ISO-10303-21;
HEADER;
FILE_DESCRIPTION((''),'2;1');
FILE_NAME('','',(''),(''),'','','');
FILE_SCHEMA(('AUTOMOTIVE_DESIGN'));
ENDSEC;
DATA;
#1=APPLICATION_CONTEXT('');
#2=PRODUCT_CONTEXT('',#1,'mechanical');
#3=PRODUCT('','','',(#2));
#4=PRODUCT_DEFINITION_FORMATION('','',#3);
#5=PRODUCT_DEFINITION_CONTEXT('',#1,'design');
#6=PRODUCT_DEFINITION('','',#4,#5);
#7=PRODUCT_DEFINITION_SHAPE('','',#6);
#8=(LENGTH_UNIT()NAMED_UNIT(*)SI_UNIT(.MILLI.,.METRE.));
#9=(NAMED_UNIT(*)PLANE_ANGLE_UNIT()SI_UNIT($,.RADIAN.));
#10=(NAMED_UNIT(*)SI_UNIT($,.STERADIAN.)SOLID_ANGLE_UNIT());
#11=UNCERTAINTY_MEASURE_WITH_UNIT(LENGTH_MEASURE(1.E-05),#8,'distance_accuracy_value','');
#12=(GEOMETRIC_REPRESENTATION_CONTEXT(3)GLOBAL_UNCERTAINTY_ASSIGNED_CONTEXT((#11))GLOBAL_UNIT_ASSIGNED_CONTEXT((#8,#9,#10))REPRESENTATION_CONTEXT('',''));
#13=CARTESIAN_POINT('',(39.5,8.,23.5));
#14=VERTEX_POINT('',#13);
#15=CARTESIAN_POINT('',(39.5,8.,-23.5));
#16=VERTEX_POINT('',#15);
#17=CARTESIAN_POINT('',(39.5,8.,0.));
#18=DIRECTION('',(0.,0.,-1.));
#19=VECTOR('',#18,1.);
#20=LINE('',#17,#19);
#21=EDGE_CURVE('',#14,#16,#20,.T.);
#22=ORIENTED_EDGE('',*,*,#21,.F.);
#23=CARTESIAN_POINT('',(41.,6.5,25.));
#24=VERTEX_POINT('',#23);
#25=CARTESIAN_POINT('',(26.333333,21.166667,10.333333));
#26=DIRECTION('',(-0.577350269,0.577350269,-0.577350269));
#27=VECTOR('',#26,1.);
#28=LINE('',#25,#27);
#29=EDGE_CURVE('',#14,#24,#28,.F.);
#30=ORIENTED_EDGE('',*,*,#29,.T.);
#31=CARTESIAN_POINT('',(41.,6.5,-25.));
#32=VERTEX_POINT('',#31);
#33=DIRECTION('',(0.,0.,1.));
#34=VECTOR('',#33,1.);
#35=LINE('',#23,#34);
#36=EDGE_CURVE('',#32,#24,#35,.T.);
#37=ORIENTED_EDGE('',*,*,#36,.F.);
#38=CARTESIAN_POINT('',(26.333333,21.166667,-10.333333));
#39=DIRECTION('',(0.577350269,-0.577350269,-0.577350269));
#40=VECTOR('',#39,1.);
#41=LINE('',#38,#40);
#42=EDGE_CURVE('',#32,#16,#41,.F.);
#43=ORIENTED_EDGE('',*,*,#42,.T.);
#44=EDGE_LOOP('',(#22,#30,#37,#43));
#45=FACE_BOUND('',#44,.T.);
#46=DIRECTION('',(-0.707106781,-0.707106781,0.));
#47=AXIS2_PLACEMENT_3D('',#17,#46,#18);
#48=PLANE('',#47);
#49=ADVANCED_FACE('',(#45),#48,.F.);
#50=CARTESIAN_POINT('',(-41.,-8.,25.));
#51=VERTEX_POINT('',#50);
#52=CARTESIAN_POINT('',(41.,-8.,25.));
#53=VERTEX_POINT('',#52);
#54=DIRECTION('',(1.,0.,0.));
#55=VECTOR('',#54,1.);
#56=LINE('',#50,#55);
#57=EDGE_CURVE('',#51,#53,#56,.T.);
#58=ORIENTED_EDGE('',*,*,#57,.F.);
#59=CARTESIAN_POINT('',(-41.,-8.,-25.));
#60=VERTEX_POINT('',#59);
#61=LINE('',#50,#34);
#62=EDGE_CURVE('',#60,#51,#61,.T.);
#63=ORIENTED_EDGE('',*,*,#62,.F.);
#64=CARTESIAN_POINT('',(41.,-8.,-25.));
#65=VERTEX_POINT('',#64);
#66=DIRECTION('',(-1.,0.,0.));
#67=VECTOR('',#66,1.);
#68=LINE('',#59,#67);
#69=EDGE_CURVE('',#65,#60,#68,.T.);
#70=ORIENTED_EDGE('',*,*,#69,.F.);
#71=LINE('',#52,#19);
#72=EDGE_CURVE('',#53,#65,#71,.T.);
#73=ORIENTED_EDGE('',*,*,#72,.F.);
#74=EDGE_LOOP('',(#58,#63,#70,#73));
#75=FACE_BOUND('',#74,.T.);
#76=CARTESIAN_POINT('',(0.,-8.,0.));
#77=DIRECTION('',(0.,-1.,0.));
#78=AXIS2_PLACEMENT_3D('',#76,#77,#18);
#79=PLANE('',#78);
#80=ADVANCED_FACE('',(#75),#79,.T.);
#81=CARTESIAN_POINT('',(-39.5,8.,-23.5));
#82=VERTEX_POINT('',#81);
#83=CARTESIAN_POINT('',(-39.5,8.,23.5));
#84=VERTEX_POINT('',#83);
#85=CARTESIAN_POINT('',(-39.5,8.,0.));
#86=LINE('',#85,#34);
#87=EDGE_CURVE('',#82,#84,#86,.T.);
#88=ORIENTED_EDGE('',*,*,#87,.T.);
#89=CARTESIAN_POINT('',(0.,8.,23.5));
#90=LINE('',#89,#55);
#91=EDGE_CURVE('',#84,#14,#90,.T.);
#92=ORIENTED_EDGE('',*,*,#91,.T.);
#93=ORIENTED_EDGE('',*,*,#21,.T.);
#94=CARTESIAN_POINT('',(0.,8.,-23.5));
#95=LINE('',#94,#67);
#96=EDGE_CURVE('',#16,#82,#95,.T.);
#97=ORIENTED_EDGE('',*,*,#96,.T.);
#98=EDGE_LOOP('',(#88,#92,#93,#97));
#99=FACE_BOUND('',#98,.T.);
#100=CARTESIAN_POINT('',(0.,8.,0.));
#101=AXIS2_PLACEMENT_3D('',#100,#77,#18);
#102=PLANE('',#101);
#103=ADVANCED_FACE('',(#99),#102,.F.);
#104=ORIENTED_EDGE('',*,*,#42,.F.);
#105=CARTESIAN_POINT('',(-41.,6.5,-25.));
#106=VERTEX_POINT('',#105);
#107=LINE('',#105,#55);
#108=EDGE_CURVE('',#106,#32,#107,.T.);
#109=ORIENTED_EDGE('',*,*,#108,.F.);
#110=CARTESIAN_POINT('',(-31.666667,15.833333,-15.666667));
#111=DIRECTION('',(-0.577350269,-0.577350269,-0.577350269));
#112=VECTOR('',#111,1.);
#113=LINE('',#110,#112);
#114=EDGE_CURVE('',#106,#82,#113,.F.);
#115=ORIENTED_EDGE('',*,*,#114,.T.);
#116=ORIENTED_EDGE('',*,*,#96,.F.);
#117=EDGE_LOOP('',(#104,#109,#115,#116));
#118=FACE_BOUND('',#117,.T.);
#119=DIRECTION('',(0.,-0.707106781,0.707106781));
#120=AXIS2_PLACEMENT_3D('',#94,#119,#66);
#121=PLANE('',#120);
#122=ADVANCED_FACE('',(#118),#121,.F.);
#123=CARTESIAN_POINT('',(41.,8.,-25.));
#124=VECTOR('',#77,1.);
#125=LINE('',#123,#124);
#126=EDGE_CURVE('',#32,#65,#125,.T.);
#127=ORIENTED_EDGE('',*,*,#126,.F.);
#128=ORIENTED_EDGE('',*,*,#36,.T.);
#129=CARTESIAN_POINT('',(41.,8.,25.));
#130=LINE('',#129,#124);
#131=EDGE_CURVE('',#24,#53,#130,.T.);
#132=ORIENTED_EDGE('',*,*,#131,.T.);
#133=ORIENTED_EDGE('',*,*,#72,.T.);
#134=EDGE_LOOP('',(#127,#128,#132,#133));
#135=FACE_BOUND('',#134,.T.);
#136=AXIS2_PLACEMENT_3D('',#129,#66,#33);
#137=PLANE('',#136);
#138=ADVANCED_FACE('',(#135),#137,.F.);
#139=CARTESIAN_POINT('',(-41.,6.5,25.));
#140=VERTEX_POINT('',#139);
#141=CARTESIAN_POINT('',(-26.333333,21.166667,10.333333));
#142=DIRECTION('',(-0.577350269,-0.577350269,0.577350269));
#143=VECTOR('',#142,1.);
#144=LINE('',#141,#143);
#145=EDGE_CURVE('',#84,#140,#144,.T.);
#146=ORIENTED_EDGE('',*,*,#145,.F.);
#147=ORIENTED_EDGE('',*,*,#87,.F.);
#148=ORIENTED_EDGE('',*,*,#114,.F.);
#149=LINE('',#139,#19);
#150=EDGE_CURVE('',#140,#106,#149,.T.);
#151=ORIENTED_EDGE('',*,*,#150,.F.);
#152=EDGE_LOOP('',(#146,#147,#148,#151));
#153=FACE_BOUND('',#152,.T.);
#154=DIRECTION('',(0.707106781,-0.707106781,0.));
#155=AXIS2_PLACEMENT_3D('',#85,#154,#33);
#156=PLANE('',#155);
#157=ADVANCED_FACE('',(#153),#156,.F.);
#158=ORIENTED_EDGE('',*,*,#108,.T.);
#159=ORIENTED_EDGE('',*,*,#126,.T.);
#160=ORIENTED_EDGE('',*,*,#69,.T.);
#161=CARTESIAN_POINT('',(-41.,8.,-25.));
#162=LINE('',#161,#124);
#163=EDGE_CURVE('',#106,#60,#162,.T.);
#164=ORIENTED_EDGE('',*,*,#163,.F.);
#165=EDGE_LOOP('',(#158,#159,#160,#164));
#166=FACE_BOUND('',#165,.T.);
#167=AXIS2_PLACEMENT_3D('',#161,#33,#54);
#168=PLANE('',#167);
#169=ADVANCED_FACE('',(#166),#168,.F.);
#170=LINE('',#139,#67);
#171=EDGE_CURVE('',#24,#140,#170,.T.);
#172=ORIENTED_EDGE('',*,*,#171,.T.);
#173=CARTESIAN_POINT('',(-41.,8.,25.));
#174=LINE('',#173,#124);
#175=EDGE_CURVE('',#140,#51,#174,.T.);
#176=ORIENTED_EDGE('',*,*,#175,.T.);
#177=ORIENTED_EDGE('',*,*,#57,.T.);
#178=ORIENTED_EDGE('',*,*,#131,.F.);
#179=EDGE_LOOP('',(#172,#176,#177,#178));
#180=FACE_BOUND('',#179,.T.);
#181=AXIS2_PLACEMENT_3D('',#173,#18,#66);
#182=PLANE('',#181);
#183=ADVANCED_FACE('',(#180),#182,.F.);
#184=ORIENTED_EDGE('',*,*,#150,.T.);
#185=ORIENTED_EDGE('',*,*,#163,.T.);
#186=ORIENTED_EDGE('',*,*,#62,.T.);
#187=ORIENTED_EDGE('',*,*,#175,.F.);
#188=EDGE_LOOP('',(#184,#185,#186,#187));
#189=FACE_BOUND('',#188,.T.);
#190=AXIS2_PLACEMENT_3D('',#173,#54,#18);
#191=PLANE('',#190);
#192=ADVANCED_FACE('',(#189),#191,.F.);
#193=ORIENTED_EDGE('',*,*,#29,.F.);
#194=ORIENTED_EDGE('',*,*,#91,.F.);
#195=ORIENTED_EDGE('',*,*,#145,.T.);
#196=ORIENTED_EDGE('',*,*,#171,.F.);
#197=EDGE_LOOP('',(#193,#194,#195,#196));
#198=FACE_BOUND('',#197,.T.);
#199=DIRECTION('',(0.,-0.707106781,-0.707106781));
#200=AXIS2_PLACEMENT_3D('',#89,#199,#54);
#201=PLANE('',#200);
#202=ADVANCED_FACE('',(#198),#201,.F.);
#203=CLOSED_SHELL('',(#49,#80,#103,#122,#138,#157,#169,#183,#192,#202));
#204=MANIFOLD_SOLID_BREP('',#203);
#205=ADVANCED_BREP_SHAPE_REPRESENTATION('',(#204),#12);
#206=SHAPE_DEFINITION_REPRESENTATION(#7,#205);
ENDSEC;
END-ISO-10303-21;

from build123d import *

# Parameters (mm, degrees)
SKETCH1_W           = 82
SKETCH1_H           = 50
BOSS_EXTRUDE1_DEPTH = 8
CHAMFER1_SIZE       = 1.5


with BuildPart() as part:
    # Sketch1 → Boss-Extrude1 (new, symmetric)
    with BuildSketch(Plane(origin=(0, 0, 0), x_dir=(1, 0, 0), z_dir=(0, 1, 0))):
        Rectangle(SKETCH1_W, SKETCH1_H)
    extrude(amount=BOSS_EXTRUDE1_DEPTH, both=True)

    # Chamfer1
    chamfer1_edges = [part.edges().sort_by_distance(p)[0] for p in [
        (-41, 8, 0),
        (0, 8, 25),
        (41, 8, 0),
        (0, 8, -25),
    ]]
    chamfer(chamfer1_edges, length=CHAMFER1_SIZE)


solid = part.part
